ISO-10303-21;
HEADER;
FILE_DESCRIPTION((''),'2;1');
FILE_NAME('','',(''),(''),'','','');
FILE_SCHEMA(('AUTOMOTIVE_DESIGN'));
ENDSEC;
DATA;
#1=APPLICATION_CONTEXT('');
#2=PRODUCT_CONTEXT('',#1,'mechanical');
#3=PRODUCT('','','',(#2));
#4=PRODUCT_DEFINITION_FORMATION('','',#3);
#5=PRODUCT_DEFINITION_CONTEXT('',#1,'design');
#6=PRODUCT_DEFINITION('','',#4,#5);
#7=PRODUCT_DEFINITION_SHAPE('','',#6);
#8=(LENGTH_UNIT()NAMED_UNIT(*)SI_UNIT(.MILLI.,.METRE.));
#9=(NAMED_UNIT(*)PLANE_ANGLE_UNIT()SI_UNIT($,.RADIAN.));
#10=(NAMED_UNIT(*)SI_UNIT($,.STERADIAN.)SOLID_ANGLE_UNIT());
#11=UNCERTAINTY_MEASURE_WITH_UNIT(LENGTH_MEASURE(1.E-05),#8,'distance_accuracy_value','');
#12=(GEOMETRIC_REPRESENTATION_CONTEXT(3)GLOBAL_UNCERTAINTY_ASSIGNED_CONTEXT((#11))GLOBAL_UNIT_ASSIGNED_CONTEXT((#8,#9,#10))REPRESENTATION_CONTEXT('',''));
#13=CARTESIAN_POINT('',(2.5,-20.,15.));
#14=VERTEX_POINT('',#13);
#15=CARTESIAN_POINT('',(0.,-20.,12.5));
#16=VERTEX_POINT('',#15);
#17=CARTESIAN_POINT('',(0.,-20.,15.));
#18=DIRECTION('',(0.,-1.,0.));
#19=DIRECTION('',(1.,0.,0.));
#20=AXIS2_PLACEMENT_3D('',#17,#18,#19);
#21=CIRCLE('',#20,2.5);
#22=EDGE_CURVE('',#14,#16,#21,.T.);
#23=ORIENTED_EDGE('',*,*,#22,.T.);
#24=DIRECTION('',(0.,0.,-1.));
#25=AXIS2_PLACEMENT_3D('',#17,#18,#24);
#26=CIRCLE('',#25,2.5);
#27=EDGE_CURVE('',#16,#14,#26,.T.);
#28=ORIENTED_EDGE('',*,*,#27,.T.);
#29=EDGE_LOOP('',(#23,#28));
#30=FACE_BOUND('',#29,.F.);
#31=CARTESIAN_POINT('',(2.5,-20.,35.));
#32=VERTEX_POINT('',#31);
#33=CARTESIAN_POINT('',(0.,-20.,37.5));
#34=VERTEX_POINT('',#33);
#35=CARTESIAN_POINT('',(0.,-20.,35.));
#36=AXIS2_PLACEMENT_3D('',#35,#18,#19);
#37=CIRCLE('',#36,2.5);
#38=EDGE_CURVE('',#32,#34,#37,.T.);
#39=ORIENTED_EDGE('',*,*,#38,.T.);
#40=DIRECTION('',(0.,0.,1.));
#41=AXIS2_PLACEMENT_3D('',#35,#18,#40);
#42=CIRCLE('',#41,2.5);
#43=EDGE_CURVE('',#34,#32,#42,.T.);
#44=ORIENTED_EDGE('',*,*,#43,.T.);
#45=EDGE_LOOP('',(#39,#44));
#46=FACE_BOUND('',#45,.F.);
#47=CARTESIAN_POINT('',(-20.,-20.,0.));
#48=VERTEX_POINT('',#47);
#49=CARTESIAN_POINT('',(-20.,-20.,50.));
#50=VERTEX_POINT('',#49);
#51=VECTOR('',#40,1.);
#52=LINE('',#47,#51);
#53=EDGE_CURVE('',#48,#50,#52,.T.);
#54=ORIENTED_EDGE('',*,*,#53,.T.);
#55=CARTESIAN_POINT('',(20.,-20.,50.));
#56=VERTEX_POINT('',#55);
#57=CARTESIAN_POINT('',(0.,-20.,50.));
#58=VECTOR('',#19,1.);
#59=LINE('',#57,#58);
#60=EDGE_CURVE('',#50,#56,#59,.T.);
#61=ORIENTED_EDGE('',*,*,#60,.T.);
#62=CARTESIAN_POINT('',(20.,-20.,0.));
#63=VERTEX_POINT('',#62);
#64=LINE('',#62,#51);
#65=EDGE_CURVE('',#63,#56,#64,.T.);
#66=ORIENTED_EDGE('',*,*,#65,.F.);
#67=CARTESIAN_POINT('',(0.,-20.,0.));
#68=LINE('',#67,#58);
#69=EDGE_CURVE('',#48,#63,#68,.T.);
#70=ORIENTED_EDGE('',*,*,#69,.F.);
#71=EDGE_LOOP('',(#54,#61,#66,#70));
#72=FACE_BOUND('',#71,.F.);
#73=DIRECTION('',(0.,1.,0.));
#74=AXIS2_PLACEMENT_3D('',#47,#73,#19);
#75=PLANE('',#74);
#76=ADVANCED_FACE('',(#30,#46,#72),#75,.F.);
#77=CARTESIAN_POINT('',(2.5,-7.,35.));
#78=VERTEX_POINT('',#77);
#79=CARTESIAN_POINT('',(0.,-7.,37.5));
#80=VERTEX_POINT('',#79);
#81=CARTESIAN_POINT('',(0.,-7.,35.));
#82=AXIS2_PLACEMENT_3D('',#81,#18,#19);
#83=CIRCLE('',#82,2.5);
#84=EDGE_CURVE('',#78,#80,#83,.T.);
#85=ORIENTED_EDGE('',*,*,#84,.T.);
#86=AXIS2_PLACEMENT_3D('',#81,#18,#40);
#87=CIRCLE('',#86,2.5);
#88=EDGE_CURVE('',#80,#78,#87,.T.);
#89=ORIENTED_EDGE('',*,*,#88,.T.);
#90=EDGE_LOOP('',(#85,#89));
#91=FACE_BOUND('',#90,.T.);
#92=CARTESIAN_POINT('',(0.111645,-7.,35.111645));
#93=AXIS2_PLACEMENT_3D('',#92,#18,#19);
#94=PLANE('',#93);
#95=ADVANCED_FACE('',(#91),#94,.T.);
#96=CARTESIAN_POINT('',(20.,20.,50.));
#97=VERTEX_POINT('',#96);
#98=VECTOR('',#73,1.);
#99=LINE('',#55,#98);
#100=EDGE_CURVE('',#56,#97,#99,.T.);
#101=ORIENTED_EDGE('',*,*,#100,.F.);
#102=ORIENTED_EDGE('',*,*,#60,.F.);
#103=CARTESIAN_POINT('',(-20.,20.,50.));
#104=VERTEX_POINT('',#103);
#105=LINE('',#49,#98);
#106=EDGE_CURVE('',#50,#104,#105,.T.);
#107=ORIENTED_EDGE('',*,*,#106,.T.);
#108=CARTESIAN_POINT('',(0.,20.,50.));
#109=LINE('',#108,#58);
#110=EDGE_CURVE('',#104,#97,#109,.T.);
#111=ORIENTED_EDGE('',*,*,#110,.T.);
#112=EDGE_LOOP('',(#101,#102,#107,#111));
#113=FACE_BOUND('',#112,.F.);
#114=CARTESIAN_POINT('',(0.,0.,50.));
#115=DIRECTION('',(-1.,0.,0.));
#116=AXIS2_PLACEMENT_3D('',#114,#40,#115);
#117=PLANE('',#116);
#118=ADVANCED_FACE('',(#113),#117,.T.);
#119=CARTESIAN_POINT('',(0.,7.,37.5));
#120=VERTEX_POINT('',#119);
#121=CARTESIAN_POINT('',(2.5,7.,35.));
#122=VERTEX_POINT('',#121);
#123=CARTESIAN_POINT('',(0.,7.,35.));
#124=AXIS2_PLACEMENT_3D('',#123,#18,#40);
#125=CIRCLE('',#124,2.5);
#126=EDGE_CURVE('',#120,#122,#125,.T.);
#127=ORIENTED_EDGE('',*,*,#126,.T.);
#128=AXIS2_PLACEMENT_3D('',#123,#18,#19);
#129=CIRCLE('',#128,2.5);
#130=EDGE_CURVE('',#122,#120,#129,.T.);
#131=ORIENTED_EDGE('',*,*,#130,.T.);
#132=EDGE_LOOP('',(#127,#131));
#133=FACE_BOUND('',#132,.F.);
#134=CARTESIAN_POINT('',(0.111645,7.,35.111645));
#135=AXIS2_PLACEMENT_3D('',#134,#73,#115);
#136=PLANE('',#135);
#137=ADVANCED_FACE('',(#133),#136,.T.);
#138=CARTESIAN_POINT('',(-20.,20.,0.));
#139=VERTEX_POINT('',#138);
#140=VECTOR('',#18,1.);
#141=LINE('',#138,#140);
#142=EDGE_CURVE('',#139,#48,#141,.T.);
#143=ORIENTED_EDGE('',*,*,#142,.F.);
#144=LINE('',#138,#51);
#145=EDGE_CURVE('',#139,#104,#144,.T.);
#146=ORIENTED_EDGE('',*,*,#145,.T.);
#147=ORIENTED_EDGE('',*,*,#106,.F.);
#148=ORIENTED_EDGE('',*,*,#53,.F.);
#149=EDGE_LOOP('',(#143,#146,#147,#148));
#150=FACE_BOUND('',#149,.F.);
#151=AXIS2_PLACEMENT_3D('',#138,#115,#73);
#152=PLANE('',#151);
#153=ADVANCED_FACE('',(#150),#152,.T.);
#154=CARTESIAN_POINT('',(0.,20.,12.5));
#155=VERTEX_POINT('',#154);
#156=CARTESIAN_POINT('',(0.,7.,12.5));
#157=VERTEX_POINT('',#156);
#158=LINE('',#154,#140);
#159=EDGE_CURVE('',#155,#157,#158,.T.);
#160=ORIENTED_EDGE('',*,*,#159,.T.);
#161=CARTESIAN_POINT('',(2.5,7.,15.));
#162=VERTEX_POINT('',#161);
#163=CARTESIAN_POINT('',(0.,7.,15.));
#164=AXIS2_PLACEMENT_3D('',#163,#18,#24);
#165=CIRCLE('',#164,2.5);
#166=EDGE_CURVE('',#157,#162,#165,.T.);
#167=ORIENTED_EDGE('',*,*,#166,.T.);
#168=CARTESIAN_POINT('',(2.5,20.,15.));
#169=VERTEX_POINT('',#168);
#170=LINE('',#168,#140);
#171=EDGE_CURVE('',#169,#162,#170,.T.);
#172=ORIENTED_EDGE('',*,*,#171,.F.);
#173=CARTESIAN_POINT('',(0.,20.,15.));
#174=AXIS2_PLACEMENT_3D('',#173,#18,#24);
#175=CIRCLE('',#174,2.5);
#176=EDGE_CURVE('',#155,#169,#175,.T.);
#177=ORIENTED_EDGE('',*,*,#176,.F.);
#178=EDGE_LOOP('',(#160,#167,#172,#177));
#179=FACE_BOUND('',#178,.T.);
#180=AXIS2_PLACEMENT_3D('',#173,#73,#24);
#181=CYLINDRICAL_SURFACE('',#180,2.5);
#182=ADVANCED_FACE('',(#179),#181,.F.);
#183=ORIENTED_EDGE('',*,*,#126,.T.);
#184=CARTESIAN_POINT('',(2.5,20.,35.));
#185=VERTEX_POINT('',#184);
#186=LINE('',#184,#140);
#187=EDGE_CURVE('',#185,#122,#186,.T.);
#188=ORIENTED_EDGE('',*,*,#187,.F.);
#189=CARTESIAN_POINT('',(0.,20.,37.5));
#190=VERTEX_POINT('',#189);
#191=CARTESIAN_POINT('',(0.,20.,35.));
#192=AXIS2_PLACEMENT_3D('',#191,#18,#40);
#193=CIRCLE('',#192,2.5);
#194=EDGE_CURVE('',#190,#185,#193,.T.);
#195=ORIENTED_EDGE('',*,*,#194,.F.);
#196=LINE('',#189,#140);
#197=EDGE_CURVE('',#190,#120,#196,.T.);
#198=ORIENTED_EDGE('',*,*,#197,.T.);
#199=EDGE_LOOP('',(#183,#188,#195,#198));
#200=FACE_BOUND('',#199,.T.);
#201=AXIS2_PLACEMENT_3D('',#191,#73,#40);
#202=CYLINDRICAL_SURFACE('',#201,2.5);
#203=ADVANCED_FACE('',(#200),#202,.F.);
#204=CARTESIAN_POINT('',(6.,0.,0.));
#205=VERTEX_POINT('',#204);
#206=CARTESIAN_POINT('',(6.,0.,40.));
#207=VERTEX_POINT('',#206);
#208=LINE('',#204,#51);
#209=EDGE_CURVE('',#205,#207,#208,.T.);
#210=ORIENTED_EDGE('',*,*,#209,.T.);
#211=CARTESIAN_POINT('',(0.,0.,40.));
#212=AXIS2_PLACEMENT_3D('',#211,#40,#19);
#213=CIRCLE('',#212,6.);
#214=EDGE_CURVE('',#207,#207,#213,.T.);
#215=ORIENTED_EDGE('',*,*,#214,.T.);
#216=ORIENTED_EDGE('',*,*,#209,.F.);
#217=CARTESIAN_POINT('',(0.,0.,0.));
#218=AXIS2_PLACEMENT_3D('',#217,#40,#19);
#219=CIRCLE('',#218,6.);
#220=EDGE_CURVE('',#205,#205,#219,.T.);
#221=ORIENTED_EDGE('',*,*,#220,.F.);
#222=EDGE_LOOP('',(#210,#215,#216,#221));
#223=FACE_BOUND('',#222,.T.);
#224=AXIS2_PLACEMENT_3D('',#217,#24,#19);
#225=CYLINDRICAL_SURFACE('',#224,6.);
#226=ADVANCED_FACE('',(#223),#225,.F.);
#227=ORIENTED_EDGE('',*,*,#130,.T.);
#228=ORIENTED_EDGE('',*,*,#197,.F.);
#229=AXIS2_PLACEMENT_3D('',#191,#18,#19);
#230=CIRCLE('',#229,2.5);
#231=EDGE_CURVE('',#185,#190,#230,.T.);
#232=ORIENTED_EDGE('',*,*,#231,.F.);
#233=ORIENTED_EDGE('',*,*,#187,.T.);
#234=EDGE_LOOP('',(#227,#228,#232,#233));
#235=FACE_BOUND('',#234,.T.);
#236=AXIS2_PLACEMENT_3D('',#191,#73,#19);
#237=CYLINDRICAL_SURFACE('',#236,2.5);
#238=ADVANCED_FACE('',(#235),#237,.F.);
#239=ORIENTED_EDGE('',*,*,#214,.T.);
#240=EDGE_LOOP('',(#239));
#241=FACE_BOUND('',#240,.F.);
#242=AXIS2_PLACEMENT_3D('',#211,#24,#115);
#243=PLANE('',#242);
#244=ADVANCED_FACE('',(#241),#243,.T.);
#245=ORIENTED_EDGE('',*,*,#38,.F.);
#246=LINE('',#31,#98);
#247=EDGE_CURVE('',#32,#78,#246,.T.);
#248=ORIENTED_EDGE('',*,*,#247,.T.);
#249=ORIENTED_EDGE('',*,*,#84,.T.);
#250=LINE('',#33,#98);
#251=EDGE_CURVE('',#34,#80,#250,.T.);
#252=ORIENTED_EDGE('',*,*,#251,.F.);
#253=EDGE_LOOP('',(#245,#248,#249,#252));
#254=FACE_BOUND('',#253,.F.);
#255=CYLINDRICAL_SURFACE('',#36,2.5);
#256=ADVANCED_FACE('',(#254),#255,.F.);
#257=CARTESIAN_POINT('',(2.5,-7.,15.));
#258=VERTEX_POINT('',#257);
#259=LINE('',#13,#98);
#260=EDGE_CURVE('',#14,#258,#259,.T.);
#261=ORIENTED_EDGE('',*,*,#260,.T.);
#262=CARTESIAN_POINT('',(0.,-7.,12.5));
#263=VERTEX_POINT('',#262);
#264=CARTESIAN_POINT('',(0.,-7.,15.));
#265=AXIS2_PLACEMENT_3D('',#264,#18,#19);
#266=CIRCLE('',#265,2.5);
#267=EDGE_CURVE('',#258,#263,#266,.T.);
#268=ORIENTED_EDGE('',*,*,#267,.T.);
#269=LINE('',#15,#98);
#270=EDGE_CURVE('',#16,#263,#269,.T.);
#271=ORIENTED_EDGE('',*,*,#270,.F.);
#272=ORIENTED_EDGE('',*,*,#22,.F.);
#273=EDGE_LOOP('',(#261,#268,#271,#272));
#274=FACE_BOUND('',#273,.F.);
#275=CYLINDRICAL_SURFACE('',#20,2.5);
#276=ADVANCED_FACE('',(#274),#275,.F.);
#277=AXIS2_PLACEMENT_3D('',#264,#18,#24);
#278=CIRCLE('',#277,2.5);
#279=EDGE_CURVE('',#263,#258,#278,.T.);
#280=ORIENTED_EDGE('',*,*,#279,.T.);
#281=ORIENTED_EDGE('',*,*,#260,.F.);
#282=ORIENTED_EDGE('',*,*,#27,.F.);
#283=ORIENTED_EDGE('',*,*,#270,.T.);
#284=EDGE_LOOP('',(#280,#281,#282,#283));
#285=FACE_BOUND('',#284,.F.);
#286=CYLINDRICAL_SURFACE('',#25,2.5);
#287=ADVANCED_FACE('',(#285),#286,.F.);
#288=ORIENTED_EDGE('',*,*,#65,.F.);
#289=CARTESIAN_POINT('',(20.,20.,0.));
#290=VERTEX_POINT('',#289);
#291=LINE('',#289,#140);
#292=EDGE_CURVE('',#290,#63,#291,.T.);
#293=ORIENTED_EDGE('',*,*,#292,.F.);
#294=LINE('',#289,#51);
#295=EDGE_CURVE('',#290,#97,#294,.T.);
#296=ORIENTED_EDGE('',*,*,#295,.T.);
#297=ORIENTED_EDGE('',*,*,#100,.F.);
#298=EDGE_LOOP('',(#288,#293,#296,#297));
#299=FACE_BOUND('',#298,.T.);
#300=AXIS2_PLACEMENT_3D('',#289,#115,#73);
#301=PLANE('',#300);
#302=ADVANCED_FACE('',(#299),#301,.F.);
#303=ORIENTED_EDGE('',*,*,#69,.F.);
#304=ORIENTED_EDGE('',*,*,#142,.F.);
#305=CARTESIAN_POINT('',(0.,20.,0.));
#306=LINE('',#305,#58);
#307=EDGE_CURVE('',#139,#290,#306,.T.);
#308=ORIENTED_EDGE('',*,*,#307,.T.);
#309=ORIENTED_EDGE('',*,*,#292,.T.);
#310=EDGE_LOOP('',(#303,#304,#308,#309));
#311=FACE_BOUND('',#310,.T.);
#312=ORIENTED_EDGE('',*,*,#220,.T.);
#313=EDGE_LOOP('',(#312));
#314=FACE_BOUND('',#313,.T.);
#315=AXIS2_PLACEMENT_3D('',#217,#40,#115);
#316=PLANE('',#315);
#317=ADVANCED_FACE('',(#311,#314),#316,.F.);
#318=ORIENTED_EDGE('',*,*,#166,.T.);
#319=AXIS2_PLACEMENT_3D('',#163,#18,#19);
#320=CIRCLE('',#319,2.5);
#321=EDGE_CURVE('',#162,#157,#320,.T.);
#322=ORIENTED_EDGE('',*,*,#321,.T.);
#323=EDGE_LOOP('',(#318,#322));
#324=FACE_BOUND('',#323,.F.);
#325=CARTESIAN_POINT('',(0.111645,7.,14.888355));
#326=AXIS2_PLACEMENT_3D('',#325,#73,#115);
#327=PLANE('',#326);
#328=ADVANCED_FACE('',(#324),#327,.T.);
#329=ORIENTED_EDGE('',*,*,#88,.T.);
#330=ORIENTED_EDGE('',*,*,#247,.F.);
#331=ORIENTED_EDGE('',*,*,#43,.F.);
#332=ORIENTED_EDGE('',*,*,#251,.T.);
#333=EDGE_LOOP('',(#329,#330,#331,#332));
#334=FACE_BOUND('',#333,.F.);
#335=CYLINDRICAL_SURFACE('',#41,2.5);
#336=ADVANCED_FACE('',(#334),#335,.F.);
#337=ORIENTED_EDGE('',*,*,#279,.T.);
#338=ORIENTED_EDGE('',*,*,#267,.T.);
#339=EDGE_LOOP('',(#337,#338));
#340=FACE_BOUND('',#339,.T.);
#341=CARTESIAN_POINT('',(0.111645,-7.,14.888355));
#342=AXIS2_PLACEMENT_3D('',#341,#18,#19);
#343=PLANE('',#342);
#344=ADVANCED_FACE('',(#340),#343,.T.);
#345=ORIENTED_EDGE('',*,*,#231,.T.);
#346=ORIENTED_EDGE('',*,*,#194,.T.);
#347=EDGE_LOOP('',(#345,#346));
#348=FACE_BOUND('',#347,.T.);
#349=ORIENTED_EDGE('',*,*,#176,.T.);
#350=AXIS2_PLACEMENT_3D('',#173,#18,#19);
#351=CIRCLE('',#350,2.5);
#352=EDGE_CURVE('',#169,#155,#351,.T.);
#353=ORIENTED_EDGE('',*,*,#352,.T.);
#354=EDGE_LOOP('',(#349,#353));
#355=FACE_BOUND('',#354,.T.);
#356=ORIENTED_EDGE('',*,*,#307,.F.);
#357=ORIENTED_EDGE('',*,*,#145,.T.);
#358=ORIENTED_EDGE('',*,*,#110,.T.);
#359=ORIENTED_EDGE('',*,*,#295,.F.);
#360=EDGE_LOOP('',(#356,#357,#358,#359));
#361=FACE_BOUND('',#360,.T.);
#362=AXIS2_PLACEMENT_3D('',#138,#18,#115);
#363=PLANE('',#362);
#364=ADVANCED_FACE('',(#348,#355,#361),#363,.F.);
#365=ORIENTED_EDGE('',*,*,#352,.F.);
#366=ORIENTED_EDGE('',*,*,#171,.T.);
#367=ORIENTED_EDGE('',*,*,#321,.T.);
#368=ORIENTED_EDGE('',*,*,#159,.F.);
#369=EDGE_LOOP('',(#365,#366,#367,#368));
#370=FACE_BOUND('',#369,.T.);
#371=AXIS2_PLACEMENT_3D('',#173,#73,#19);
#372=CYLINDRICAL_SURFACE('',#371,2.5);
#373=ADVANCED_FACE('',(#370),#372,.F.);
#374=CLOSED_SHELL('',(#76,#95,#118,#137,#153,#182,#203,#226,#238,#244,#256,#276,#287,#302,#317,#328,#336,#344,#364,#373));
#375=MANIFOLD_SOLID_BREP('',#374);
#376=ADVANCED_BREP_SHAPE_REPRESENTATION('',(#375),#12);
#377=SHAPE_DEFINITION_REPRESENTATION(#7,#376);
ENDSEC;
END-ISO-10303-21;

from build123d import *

# Parameters (mm, degrees)
F0_W     = 40
F0_H     = 40
F1_DEPTH = 50
F2_R     = 6
F3_DEPTH = 40
F5_DEPTH = 13
F6_DEPTH = 20


with BuildPart() as f1:
    # F0 (on Top) → F1 (new body)
    with BuildSketch(Plane.XY):
        Rectangle(F0_W, F0_H)
    extrude(amount=F1_DEPTH)

    # F2 (on face) → F3 (cut)
    with BuildSketch(Plane(origin=(0, 0, 0), x_dir=(1, 0, 0), z_dir=(0, 0, -1))):
        Circle(F2_R)
    extrude(amount=-F3_DEPTH, mode=Mode.SUBTRACT)

    # F4 (on face) → F5 (cut)
    with BuildSketch(Plane.XZ.offset(20)):
        with BuildLine():
            ThreePointArc((2.5, 35), (1.767766953, 36.767766953), (0, 37.5))
            ThreePointArc((0, 37.5), (-1.767766953, 33.232233047), (2.5, 35))
        make_face()
        with BuildLine():
            ThreePointArc((2.5, 15), (-1.767766953, 16.767766953), (0, 12.5))
            ThreePointArc((0, 12.5), (1.767766953, 13.232233047), (2.5, 15))
        make_face()
    extrude(amount=-F5_DEPTH, mode=Mode.SUBTRACT)

    # F6 (cut): a face of the model
    f6_faces = [f1.faces().sort_by_distance(p)[0] for p in [
        (0, 20, 25),
    ]]
    extrude(f6_faces, amount=-F6_DEPTH, mode=Mode.SUBTRACT)

    # F7: F1 across plane


with BuildPart() as f1_1:
    add(f1.part)
    add(f1.part.mirror(Plane.XZ))


solid = f1_1.part
